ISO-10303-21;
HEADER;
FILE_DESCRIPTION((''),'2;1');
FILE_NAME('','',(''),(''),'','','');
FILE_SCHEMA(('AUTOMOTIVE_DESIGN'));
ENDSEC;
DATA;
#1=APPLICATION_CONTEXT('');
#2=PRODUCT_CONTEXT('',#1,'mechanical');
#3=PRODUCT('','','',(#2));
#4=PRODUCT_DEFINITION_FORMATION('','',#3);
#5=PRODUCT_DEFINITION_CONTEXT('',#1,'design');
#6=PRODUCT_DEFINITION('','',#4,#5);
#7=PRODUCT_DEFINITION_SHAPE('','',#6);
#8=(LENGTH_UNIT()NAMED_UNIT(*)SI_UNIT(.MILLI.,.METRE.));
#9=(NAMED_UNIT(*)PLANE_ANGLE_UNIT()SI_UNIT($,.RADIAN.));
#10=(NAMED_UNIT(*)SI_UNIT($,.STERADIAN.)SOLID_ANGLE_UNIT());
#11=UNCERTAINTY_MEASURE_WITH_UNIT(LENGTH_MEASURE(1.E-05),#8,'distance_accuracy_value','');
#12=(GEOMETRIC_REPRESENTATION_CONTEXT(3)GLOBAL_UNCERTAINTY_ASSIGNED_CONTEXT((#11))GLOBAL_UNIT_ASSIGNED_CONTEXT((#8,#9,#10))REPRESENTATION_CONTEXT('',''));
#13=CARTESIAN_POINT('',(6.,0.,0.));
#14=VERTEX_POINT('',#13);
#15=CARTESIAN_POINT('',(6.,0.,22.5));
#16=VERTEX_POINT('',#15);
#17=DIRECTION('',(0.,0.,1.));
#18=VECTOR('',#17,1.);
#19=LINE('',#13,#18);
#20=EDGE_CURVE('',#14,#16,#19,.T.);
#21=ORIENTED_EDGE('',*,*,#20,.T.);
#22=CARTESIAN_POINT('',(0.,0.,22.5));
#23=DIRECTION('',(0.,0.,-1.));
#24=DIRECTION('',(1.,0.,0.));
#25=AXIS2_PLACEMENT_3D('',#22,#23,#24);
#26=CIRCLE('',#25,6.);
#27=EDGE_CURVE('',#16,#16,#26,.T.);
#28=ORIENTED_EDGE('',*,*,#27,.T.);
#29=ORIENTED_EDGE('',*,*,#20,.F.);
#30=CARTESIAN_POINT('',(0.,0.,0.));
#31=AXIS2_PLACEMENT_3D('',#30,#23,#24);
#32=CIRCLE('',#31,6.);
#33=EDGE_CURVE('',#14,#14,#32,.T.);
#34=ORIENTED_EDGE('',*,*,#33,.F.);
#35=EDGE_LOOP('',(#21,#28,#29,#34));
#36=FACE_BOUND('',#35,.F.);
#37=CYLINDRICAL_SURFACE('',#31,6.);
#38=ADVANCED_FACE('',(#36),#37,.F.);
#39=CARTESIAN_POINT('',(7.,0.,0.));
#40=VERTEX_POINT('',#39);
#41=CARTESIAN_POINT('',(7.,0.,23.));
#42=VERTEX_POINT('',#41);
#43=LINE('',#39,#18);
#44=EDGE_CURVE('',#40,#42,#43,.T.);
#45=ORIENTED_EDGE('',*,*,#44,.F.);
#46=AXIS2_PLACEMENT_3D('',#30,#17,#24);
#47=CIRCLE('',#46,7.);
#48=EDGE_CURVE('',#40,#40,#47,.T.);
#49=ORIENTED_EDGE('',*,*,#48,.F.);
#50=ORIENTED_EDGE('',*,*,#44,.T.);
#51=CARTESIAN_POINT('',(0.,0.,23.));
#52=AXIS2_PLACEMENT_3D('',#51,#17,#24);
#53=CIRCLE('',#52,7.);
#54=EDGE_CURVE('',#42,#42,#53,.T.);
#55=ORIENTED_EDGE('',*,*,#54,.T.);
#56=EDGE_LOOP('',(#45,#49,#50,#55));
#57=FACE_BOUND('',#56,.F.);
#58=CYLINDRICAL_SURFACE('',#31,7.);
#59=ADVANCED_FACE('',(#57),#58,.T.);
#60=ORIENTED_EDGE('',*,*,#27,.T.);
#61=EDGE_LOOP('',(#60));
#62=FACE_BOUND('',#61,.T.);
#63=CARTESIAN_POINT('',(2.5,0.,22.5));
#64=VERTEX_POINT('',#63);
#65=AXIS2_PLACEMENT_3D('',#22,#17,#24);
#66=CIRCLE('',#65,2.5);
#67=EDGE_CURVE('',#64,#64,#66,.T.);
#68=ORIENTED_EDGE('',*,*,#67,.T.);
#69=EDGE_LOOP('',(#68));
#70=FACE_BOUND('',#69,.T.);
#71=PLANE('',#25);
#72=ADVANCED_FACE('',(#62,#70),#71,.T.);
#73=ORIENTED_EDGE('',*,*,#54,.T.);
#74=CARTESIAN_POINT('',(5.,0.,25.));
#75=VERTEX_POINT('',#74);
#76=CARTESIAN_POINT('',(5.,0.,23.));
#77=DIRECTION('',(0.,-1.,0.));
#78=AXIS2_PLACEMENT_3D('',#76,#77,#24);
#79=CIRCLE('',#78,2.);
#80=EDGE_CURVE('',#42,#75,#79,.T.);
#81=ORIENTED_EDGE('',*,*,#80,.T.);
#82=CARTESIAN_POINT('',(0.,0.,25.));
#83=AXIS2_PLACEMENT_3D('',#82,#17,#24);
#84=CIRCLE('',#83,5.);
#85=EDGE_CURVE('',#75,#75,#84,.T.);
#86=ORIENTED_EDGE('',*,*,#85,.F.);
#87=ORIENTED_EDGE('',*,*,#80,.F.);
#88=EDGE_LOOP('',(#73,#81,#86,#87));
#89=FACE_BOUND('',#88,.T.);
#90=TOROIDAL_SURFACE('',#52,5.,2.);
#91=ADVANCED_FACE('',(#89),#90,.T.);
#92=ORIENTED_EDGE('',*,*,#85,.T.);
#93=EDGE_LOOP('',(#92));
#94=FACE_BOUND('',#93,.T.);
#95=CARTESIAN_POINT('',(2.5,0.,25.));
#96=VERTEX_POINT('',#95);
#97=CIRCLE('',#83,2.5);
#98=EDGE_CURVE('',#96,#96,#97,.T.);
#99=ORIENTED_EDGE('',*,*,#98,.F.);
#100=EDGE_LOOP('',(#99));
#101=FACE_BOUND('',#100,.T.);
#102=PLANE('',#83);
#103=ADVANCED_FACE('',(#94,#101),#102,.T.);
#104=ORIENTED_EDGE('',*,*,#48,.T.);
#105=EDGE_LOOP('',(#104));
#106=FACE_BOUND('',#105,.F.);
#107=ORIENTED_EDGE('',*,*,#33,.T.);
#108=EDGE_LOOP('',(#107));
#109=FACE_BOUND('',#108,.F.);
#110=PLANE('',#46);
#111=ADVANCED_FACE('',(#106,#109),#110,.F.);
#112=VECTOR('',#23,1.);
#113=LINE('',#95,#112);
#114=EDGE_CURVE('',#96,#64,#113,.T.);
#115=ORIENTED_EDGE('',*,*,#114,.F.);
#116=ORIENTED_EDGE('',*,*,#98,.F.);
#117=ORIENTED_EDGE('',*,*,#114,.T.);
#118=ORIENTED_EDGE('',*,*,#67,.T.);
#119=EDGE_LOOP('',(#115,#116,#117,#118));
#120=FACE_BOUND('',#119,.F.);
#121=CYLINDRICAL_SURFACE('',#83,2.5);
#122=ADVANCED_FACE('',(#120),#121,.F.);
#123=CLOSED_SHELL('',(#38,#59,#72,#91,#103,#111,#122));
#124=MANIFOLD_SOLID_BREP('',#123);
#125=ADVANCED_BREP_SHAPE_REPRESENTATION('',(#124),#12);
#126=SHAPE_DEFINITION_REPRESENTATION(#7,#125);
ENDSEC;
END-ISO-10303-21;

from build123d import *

# Parameters (mm, degrees)
SKETCH_R        = 7
PAD_DEPTH       = 25
SKETCH002_R     = 6
POCKET_DEPTH    = 22.5
SKETCH001_R     = 2.5
POCKET001_DEPTH = 3
FILLET_R        = 2


with BuildPart() as part:
    # Sketch → Pad (new body)
    with BuildSketch(Plane.XY):
        Circle(SKETCH_R)
    extrude(amount=PAD_DEPTH)

    # Sketch002 → Pocket (cut)
    with BuildSketch(Plane(origin=(0, 0, 0), x_dir=(1, 0, 0), z_dir=(0, 0, -1))):
        Circle(SKETCH002_R)
    extrude(amount=-POCKET_DEPTH, mode=Mode.SUBTRACT)

    # Sketch001 (on Face3 of Pad) → Pocket001 (cut)
    with BuildSketch(Plane.XY.offset(25)):
        Circle(SKETCH001_R)
    extrude(amount=-POCKET001_DEPTH, mode=Mode.SUBTRACT)

    # Fillet
    fillet_edges = [part.edges().sort_by_distance(p)[0] for p in [
        (-7, 0, 25),
    ]]
    fillet(fillet_edges, radius=FILLET_R)


solid = part.part
